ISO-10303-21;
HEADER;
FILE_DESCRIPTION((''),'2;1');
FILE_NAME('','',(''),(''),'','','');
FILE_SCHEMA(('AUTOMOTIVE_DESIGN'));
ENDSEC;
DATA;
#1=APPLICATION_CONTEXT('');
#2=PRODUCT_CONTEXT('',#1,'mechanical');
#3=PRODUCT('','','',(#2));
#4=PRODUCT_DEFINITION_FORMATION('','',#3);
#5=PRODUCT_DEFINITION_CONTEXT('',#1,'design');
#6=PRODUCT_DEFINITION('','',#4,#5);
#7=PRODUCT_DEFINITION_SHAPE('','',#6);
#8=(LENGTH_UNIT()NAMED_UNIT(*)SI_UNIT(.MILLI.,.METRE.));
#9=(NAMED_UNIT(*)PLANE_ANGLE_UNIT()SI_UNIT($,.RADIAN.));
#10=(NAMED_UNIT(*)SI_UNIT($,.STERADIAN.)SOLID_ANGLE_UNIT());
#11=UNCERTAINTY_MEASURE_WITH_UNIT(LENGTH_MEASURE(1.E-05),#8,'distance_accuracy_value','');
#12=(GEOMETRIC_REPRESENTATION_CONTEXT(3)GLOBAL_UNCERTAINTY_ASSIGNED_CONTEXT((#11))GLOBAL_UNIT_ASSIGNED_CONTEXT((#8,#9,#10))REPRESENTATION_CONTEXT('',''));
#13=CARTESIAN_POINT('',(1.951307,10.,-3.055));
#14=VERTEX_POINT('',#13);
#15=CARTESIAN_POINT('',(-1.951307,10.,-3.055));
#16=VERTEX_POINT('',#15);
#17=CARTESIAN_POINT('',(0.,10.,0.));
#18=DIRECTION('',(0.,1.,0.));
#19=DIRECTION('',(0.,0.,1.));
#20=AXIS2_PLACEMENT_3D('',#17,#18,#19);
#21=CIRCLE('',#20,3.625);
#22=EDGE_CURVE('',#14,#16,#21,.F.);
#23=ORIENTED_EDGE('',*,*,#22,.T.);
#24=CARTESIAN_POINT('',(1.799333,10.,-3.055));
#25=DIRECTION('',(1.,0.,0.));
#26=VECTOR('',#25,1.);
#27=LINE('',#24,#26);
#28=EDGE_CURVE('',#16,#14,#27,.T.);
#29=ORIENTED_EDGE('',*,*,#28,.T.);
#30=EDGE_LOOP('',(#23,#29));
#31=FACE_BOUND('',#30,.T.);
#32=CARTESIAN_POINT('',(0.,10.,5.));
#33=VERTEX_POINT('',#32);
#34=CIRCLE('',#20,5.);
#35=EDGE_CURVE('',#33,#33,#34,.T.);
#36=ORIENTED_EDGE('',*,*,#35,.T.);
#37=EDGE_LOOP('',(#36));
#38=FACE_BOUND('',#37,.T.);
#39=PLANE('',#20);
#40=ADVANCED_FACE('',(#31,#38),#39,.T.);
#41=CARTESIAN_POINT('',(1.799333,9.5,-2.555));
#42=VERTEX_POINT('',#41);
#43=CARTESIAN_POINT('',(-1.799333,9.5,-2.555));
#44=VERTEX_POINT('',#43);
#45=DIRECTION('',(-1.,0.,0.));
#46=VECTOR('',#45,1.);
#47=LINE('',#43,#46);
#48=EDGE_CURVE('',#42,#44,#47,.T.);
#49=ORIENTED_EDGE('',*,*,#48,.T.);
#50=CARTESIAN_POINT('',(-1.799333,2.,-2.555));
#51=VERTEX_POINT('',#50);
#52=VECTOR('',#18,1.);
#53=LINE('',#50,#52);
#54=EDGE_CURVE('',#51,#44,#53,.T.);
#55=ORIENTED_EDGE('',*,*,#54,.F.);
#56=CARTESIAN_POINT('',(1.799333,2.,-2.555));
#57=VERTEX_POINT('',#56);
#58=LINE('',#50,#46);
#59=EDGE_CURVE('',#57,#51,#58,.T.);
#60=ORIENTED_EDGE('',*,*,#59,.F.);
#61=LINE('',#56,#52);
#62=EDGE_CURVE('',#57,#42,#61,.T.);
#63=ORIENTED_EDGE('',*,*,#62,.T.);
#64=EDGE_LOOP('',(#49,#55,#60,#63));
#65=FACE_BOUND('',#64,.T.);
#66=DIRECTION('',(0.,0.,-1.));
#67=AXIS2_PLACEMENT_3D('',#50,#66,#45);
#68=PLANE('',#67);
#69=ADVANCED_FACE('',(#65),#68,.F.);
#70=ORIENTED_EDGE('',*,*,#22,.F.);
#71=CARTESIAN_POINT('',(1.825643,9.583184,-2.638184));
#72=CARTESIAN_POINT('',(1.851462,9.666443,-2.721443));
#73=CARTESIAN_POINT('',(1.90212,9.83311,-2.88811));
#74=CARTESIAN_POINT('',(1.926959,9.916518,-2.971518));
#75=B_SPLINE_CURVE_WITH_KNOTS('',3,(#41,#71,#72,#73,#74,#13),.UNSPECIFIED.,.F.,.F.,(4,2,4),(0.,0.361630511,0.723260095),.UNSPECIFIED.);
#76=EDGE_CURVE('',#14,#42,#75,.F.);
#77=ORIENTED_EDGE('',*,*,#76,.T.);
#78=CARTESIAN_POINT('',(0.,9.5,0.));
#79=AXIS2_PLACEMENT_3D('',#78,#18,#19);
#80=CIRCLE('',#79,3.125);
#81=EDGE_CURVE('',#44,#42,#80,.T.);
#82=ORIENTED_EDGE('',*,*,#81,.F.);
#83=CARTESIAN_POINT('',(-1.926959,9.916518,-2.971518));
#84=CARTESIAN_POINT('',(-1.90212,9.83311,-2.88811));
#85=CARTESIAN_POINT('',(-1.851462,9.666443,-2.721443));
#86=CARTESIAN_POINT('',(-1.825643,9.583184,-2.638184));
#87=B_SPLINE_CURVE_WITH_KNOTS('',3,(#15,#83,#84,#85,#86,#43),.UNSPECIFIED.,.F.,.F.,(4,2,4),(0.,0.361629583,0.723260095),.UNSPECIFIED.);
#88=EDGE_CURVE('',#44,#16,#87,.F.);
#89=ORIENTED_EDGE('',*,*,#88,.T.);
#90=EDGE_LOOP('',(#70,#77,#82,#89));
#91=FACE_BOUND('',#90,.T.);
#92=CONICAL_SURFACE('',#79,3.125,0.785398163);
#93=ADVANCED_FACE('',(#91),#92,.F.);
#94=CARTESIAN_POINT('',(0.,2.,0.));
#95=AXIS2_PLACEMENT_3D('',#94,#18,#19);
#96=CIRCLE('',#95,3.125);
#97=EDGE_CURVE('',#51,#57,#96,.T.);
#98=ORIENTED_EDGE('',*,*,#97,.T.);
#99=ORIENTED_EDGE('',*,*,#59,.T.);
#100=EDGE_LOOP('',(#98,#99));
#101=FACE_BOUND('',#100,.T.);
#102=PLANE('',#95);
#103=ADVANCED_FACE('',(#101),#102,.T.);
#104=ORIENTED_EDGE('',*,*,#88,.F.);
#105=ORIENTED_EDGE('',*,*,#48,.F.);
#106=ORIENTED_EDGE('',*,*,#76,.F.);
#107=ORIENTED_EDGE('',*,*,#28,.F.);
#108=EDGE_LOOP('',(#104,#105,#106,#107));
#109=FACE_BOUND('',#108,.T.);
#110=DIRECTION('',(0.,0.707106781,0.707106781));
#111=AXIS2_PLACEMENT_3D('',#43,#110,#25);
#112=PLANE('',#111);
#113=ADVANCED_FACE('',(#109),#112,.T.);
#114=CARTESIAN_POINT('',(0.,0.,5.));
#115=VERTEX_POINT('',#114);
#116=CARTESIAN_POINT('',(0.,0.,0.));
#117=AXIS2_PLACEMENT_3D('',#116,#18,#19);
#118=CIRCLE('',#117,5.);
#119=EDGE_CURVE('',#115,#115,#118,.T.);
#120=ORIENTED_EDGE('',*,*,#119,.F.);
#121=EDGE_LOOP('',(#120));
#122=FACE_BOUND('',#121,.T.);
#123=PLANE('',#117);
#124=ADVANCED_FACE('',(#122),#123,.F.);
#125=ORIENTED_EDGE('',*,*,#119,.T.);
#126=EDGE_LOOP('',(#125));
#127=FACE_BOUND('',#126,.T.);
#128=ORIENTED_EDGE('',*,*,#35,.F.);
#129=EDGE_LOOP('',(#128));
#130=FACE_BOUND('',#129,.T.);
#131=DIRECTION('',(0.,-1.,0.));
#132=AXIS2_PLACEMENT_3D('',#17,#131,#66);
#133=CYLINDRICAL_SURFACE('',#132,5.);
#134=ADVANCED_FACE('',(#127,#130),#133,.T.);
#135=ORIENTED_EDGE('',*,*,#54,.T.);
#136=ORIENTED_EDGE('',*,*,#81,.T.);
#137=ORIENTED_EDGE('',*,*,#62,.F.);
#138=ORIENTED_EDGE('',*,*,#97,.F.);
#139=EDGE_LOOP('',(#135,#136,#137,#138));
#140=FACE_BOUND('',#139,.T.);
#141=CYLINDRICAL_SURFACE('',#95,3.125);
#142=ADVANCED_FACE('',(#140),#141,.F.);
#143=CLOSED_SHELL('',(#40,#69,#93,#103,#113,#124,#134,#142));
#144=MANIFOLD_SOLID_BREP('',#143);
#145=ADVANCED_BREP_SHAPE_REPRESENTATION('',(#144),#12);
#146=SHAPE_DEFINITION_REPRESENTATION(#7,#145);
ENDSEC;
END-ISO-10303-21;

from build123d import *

# Parameters (mm, degrees)
SKETCH1_R           = 5
BOSS_EXTRUDE1_DEPTH = 10
CUT_EXTRUDE1_DEPTH  = 8
CHAMFER1_SIZE       = 0.5


with BuildPart() as part:
    # Sketch1 → Boss-Extrude1 (new body)
    with BuildSketch(Plane(origin=(0, 0, 0), x_dir=(1, 0, 0), z_dir=(0, 1, 0))):
        with Locations(Location((0, 0, 0), (0, 0, 270))):
            Circle(SKETCH1_R)
    extrude(amount=BOSS_EXTRUDE1_DEPTH)

    # Sketch2 → Cut-Extrude1 (cut)
    with BuildSketch(Plane(origin=(0, 10, 0), x_dir=(1, 0, 0), z_dir=(0, 1, 0))):
        with BuildLine():
            Line((-1.79933321, 2.555), (1.79933321, 2.555))
            ThreePointArc((1.79933321, 2.555), (0, -3.125), (-1.79933321, 2.555))
        make_face()
    extrude(amount=-CUT_EXTRUDE1_DEPTH, mode=Mode.SUBTRACT)

    # Chamfer1
    chamfer1_edges = [part.edges().sort_by_distance(p)[0] for p in [
        (0, 10, 3.125),
        (0, 10, -2.555),
    ]]
    chamfer(chamfer1_edges, length=CHAMFER1_SIZE)


solid = part.part
